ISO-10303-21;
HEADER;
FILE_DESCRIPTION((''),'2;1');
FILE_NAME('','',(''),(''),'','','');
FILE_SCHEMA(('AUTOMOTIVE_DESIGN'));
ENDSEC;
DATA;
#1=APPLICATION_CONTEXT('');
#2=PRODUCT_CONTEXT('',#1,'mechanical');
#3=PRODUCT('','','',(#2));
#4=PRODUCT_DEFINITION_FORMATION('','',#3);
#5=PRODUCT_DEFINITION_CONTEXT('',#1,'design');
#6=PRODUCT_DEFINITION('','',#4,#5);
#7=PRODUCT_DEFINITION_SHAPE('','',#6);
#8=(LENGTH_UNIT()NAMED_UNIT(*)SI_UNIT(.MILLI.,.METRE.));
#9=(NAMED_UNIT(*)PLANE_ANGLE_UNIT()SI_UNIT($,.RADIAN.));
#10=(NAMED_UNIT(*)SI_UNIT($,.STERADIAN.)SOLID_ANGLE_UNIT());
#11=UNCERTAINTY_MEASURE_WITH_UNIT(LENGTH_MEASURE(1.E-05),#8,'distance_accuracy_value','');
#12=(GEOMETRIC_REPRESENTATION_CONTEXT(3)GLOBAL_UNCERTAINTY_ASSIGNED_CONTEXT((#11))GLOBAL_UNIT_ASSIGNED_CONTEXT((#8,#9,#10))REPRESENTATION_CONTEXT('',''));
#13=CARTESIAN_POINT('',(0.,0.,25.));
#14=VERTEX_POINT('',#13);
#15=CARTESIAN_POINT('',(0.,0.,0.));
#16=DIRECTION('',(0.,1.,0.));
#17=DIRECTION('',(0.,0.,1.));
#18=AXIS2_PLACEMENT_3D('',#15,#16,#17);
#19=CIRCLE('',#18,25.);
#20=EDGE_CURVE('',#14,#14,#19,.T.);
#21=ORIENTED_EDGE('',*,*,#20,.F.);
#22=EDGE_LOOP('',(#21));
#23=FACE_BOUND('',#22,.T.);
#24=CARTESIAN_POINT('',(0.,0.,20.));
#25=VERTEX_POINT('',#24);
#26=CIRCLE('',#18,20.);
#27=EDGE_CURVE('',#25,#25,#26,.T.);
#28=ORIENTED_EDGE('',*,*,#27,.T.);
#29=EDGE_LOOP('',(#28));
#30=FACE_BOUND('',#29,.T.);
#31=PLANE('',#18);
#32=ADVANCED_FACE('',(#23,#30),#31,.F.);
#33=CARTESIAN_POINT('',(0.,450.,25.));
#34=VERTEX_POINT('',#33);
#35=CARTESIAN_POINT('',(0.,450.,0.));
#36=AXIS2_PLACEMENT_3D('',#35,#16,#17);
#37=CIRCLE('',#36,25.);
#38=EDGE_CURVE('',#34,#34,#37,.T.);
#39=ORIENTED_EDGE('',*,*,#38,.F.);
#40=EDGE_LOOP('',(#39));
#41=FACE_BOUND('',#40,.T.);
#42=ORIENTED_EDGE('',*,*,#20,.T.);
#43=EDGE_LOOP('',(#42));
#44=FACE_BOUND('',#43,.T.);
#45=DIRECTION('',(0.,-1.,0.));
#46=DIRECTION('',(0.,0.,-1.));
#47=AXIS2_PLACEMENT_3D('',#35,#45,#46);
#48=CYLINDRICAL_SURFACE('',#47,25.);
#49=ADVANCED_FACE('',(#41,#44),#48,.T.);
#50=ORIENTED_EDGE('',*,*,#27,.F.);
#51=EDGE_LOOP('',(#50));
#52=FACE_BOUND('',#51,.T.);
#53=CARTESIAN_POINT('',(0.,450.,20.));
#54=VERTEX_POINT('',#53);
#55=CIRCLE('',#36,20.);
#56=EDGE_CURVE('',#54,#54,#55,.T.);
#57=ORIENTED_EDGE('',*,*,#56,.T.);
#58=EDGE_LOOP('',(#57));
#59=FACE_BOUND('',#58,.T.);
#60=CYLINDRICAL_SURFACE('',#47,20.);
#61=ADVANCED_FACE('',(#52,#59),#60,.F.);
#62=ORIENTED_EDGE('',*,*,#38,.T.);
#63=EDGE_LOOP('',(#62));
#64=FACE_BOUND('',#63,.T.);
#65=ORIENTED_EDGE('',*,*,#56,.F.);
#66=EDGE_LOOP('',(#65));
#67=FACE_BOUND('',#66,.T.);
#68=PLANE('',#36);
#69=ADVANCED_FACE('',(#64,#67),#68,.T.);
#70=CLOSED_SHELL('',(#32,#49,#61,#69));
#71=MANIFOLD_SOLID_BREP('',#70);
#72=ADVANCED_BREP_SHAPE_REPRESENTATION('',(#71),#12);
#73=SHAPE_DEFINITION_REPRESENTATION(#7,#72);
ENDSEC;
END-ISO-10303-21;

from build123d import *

# Parameters (mm, degrees)
CROQUIS1_R              = 25
CROQUIS1_R_2            = 20
SALIENTE_EXTRUIR1_DEPTH = 450


with BuildPart() as part:
    # Croquis1 → Saliente-Extruir1 (new body)
    with BuildSketch(Plane(origin=(0, 0, 0), x_dir=(1, 0, 0), z_dir=(0, 1, 0))):
        Circle(CROQUIS1_R)
        Circle(CROQUIS1_R_2, mode=Mode.SUBTRACT)
    extrude(amount=SALIENTE_EXTRUIR1_DEPTH)


solid = part.part
